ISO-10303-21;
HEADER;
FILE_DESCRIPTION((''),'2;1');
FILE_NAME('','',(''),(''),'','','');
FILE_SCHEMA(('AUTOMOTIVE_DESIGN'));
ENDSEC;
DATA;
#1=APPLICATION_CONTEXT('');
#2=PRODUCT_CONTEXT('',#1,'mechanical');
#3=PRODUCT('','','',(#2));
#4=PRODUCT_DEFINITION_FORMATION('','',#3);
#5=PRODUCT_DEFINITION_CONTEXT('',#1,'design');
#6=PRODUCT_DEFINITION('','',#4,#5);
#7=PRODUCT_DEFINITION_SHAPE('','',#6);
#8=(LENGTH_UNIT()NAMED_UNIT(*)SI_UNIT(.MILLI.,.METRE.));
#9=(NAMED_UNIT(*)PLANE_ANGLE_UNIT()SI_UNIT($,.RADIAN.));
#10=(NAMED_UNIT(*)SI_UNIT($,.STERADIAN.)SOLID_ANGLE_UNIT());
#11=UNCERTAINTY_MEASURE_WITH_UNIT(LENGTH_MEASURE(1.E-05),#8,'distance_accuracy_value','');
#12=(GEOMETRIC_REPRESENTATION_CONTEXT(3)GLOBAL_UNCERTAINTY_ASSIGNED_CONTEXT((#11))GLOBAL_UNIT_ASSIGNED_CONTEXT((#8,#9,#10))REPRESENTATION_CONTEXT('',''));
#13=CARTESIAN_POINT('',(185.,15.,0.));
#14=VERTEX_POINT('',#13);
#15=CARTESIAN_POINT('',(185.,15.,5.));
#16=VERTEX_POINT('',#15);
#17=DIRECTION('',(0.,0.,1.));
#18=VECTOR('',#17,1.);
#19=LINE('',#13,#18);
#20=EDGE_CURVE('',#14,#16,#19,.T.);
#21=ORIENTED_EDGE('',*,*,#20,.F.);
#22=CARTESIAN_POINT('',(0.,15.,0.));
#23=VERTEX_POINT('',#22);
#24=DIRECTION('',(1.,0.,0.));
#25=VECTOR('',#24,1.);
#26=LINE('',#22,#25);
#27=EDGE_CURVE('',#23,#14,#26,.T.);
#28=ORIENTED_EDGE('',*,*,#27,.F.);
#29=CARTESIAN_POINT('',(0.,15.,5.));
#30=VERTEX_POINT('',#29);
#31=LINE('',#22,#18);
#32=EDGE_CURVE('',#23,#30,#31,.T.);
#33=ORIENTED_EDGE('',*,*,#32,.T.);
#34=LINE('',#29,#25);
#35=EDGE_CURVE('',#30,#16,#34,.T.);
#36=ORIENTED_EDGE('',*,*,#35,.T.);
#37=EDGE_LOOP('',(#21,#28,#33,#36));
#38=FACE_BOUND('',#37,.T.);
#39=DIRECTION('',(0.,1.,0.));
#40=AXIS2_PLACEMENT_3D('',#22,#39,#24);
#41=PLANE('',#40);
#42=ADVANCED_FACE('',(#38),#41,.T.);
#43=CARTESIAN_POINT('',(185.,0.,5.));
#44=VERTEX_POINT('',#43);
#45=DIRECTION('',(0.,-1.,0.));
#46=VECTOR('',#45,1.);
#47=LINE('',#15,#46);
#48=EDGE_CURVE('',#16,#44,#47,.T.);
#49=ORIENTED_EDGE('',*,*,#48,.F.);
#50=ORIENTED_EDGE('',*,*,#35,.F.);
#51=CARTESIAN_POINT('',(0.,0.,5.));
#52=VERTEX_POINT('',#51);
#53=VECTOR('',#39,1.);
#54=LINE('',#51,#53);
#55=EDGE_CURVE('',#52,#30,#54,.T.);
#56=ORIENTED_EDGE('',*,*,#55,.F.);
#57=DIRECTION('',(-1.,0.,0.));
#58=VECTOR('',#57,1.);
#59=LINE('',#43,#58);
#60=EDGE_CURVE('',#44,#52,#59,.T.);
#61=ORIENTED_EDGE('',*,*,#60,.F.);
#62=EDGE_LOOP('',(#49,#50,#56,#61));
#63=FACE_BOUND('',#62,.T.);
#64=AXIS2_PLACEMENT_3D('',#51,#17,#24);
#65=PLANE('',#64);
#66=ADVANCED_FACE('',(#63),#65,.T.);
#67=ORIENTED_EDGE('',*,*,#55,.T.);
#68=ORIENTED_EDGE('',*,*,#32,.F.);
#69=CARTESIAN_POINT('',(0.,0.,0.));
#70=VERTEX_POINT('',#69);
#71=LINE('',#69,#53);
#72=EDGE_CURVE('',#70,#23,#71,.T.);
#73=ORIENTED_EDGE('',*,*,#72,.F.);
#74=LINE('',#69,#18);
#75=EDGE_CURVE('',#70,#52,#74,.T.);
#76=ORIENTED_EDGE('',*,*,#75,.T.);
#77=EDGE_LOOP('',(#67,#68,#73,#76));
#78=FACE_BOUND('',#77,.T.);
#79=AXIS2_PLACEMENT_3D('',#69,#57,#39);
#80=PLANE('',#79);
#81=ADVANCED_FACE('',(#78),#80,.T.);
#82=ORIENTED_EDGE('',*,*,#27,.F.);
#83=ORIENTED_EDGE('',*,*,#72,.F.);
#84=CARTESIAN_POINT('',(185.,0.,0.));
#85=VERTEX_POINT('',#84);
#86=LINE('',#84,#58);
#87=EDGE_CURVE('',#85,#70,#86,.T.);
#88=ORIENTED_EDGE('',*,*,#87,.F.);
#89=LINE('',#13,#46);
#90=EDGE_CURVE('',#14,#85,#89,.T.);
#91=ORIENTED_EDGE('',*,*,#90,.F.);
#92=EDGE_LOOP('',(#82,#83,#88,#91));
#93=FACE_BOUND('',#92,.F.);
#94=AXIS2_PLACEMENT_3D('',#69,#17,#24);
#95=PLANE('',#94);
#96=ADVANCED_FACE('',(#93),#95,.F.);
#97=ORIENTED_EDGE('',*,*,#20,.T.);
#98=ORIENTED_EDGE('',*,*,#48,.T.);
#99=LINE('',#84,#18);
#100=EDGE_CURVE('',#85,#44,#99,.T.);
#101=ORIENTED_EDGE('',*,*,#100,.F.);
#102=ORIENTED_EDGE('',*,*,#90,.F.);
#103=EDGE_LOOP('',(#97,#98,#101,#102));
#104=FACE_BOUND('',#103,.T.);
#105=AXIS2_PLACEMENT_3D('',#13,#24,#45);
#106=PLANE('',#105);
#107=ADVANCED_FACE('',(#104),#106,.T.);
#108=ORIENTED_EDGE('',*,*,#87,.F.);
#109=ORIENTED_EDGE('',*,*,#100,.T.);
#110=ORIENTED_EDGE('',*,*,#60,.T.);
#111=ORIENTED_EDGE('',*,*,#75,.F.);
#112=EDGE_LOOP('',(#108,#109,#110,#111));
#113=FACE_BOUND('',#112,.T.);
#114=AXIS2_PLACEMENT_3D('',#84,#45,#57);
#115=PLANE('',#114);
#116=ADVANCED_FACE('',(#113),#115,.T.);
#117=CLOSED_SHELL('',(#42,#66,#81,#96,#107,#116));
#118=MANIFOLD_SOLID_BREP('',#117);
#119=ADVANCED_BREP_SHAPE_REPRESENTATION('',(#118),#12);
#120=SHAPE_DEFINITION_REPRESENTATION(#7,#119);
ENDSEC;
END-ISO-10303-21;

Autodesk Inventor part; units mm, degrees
ref_plane "YZ Plane" through (0, 0, 0) normal (1, 0, 0) x (0, 1, 0)
ref_plane "XZ Plane" through (0, 0, 0) normal (0, 1, 0) x (-1, 0, 0)
ref_plane "XY Plane" through (0, 0, 0) normal (0, 0, 1) x (1, 0, 0)
sketch "Sketch1" plane through (0, 0, 0) normal (0, 0, 1) x (1, 0, 0)
  line L0 (0, 0) -> (0, 15)
  line L1 (0, 0) -> (15, 0) construction
  line L2 (0, 15) -> (185, 15)
  line L3 (185, 15) -> (185, 0)
  line L4 (185, 0) -> (0, 0)
  dimension "d0" = 15
  dimension "d1" = 90
  dimension "d2" = 185
  dimension "d3" = 90
  dimension "d4" = 15
  dimension "d5" = 90
extrude "Extrusion1" add sketch "Sketch1" along normal blind 5
properties part number "line_edge_parkinglot_2_1"
